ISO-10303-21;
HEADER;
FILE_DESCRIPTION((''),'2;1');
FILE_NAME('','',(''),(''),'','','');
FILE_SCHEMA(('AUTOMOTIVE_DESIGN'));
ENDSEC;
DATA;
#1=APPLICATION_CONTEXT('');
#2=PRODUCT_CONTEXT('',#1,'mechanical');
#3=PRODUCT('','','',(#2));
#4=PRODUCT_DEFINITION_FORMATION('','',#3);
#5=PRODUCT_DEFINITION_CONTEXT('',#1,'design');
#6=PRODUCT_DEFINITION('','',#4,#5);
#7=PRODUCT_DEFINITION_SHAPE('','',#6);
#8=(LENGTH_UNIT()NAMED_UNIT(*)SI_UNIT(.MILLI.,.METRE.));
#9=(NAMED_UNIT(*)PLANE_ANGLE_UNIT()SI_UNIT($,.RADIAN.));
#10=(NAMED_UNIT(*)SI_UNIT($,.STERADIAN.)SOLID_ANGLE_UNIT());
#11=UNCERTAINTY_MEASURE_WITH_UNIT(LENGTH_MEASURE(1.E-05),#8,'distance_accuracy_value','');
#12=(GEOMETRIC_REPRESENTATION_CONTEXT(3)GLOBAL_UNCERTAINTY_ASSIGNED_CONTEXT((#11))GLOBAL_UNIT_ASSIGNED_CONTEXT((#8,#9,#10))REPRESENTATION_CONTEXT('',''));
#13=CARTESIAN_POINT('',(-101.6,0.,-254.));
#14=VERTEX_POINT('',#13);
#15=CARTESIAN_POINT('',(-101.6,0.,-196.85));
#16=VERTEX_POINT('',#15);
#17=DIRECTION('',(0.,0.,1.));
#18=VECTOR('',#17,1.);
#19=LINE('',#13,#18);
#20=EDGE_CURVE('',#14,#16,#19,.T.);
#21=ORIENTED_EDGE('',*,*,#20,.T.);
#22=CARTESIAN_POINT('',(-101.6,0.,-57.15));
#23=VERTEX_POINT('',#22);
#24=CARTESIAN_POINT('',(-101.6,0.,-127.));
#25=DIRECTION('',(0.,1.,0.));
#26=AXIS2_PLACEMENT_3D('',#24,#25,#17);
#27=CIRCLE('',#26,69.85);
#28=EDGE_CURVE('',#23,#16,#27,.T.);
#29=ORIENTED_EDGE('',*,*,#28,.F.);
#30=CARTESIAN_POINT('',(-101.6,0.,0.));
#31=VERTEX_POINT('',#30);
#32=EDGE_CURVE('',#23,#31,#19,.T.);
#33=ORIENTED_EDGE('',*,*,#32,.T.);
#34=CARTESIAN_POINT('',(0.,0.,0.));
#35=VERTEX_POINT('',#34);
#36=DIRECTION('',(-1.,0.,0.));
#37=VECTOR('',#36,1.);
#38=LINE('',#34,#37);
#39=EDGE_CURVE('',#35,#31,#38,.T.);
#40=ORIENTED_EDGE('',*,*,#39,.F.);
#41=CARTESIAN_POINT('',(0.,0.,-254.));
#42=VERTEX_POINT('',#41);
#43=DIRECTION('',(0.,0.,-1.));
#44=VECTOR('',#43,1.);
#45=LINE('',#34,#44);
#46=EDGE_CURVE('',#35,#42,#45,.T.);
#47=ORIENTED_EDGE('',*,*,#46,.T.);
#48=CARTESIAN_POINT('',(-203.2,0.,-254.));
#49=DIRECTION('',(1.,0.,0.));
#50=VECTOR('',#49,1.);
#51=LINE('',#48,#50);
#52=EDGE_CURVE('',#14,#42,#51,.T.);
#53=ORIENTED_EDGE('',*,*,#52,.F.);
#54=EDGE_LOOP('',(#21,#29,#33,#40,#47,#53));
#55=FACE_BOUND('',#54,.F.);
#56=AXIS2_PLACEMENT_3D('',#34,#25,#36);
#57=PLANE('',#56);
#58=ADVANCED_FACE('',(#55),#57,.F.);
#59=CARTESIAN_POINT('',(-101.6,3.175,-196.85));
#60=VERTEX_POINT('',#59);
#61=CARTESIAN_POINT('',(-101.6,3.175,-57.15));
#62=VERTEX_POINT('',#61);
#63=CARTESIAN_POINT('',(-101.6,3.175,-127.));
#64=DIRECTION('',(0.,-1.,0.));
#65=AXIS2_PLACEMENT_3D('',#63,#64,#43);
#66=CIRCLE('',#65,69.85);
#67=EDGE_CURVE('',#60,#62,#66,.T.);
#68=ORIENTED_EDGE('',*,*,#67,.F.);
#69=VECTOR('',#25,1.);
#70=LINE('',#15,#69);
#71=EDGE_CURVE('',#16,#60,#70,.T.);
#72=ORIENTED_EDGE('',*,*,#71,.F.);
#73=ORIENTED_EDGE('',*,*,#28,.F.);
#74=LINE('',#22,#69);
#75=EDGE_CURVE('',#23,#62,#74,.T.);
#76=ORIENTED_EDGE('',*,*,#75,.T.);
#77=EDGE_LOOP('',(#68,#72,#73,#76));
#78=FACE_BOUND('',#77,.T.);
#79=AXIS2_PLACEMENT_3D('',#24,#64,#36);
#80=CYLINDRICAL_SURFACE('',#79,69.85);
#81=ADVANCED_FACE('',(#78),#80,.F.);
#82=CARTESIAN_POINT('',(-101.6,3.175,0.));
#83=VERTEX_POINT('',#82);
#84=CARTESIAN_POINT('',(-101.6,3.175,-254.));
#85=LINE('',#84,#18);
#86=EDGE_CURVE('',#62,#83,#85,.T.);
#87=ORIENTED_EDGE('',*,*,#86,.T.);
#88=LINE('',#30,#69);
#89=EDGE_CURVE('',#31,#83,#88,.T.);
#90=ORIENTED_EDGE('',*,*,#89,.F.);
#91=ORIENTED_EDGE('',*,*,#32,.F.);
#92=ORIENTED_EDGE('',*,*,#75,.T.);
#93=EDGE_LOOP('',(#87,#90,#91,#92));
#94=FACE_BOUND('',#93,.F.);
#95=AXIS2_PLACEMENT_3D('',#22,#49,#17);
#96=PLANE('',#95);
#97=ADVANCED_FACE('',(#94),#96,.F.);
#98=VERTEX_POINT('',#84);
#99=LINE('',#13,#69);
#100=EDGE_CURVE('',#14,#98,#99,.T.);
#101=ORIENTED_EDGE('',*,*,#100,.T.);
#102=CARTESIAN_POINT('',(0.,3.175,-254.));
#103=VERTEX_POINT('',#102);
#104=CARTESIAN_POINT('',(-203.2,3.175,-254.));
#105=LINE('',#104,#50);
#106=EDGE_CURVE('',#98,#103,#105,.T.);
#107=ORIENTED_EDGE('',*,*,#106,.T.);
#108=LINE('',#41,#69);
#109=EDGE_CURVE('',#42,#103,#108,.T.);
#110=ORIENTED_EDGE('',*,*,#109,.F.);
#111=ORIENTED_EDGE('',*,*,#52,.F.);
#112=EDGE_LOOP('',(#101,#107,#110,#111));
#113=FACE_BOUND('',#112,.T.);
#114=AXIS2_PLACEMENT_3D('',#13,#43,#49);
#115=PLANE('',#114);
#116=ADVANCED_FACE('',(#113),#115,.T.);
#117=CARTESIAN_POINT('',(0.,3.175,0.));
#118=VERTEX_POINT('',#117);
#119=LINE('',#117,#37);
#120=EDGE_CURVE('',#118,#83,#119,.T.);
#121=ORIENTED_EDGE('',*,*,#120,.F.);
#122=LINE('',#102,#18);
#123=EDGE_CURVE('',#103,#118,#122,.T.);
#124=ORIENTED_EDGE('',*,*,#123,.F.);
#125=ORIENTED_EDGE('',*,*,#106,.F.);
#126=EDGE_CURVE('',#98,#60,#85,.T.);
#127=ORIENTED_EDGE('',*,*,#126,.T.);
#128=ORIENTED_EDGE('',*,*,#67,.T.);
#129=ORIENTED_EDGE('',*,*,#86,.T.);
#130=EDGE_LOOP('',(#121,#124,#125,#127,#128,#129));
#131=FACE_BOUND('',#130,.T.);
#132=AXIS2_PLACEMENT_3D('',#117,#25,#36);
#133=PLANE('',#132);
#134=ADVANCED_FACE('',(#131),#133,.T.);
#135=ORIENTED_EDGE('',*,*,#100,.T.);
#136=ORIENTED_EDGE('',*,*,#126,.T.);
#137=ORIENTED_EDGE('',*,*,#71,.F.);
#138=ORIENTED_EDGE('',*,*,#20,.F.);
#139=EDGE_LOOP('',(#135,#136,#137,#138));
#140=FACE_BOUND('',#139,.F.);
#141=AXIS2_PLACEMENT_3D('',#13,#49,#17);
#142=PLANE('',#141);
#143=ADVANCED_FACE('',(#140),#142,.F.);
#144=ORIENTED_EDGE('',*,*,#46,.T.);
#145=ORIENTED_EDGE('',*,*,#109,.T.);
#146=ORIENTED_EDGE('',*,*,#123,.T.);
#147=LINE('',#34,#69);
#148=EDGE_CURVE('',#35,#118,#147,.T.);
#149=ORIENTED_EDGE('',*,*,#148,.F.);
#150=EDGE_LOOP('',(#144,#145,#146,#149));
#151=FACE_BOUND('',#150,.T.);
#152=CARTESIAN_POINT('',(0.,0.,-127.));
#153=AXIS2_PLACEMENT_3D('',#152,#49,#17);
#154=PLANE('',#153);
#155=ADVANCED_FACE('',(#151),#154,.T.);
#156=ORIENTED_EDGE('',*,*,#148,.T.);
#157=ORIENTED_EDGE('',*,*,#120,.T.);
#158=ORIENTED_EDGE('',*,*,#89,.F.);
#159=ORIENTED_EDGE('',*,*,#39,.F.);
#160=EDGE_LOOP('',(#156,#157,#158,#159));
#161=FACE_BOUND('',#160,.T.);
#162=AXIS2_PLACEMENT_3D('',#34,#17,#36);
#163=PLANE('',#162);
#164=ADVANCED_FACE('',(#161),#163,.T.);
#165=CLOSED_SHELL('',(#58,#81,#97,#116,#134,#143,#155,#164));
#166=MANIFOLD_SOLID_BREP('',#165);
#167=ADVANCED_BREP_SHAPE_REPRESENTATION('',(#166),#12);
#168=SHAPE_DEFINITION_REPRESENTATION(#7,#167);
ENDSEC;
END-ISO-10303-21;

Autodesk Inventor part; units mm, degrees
ref_plane "YZ Plane" through (0, 0, 0) normal (1, 0, 0) x (0, 1, 0)
ref_plane "XZ Plane" through (0, 0, 0) normal (0, 1, 0) x (-1, 0, 0)
ref_plane "XY Plane" through (0, 0, 0) normal (0, 0, 1) x (1, 0, 0)
sketch "Sketch1" plane through (0, 0, 0) normal (0, 1, 0) x (-1, 0, 0)
  line L0 (0, 0) -> (203.2, 0)
  line L1 (203.2, 0) -> (203.2, -254)
  line L2 (203.2, -254) -> (0, -254)
  line L3 (0, -254) -> (0, 0)
  line L4 (203.2, -127) -> (0, -127)
  line L5 (101.6, -254) -> (101.6, 0)
  circle A0 centre (101.6, -127) radius 69.85
  point P0 (171.45, -127)
  point P1 (31.75, -127)
  point P2 (101.6, -57.15)
  point P3 (101.6, -196.85)
  dimension "d0" = 203.2
  dimension "d1" = 254
  dimension "d2" = 139.7
extrude "Extrusion1" add sketch "Sketch1" along normal blind 3.175 contours L0 L5 A0 L4 L3 | L4 A0 L5 L2 L3
properties part number "1 Bottom Frame Base 1"
